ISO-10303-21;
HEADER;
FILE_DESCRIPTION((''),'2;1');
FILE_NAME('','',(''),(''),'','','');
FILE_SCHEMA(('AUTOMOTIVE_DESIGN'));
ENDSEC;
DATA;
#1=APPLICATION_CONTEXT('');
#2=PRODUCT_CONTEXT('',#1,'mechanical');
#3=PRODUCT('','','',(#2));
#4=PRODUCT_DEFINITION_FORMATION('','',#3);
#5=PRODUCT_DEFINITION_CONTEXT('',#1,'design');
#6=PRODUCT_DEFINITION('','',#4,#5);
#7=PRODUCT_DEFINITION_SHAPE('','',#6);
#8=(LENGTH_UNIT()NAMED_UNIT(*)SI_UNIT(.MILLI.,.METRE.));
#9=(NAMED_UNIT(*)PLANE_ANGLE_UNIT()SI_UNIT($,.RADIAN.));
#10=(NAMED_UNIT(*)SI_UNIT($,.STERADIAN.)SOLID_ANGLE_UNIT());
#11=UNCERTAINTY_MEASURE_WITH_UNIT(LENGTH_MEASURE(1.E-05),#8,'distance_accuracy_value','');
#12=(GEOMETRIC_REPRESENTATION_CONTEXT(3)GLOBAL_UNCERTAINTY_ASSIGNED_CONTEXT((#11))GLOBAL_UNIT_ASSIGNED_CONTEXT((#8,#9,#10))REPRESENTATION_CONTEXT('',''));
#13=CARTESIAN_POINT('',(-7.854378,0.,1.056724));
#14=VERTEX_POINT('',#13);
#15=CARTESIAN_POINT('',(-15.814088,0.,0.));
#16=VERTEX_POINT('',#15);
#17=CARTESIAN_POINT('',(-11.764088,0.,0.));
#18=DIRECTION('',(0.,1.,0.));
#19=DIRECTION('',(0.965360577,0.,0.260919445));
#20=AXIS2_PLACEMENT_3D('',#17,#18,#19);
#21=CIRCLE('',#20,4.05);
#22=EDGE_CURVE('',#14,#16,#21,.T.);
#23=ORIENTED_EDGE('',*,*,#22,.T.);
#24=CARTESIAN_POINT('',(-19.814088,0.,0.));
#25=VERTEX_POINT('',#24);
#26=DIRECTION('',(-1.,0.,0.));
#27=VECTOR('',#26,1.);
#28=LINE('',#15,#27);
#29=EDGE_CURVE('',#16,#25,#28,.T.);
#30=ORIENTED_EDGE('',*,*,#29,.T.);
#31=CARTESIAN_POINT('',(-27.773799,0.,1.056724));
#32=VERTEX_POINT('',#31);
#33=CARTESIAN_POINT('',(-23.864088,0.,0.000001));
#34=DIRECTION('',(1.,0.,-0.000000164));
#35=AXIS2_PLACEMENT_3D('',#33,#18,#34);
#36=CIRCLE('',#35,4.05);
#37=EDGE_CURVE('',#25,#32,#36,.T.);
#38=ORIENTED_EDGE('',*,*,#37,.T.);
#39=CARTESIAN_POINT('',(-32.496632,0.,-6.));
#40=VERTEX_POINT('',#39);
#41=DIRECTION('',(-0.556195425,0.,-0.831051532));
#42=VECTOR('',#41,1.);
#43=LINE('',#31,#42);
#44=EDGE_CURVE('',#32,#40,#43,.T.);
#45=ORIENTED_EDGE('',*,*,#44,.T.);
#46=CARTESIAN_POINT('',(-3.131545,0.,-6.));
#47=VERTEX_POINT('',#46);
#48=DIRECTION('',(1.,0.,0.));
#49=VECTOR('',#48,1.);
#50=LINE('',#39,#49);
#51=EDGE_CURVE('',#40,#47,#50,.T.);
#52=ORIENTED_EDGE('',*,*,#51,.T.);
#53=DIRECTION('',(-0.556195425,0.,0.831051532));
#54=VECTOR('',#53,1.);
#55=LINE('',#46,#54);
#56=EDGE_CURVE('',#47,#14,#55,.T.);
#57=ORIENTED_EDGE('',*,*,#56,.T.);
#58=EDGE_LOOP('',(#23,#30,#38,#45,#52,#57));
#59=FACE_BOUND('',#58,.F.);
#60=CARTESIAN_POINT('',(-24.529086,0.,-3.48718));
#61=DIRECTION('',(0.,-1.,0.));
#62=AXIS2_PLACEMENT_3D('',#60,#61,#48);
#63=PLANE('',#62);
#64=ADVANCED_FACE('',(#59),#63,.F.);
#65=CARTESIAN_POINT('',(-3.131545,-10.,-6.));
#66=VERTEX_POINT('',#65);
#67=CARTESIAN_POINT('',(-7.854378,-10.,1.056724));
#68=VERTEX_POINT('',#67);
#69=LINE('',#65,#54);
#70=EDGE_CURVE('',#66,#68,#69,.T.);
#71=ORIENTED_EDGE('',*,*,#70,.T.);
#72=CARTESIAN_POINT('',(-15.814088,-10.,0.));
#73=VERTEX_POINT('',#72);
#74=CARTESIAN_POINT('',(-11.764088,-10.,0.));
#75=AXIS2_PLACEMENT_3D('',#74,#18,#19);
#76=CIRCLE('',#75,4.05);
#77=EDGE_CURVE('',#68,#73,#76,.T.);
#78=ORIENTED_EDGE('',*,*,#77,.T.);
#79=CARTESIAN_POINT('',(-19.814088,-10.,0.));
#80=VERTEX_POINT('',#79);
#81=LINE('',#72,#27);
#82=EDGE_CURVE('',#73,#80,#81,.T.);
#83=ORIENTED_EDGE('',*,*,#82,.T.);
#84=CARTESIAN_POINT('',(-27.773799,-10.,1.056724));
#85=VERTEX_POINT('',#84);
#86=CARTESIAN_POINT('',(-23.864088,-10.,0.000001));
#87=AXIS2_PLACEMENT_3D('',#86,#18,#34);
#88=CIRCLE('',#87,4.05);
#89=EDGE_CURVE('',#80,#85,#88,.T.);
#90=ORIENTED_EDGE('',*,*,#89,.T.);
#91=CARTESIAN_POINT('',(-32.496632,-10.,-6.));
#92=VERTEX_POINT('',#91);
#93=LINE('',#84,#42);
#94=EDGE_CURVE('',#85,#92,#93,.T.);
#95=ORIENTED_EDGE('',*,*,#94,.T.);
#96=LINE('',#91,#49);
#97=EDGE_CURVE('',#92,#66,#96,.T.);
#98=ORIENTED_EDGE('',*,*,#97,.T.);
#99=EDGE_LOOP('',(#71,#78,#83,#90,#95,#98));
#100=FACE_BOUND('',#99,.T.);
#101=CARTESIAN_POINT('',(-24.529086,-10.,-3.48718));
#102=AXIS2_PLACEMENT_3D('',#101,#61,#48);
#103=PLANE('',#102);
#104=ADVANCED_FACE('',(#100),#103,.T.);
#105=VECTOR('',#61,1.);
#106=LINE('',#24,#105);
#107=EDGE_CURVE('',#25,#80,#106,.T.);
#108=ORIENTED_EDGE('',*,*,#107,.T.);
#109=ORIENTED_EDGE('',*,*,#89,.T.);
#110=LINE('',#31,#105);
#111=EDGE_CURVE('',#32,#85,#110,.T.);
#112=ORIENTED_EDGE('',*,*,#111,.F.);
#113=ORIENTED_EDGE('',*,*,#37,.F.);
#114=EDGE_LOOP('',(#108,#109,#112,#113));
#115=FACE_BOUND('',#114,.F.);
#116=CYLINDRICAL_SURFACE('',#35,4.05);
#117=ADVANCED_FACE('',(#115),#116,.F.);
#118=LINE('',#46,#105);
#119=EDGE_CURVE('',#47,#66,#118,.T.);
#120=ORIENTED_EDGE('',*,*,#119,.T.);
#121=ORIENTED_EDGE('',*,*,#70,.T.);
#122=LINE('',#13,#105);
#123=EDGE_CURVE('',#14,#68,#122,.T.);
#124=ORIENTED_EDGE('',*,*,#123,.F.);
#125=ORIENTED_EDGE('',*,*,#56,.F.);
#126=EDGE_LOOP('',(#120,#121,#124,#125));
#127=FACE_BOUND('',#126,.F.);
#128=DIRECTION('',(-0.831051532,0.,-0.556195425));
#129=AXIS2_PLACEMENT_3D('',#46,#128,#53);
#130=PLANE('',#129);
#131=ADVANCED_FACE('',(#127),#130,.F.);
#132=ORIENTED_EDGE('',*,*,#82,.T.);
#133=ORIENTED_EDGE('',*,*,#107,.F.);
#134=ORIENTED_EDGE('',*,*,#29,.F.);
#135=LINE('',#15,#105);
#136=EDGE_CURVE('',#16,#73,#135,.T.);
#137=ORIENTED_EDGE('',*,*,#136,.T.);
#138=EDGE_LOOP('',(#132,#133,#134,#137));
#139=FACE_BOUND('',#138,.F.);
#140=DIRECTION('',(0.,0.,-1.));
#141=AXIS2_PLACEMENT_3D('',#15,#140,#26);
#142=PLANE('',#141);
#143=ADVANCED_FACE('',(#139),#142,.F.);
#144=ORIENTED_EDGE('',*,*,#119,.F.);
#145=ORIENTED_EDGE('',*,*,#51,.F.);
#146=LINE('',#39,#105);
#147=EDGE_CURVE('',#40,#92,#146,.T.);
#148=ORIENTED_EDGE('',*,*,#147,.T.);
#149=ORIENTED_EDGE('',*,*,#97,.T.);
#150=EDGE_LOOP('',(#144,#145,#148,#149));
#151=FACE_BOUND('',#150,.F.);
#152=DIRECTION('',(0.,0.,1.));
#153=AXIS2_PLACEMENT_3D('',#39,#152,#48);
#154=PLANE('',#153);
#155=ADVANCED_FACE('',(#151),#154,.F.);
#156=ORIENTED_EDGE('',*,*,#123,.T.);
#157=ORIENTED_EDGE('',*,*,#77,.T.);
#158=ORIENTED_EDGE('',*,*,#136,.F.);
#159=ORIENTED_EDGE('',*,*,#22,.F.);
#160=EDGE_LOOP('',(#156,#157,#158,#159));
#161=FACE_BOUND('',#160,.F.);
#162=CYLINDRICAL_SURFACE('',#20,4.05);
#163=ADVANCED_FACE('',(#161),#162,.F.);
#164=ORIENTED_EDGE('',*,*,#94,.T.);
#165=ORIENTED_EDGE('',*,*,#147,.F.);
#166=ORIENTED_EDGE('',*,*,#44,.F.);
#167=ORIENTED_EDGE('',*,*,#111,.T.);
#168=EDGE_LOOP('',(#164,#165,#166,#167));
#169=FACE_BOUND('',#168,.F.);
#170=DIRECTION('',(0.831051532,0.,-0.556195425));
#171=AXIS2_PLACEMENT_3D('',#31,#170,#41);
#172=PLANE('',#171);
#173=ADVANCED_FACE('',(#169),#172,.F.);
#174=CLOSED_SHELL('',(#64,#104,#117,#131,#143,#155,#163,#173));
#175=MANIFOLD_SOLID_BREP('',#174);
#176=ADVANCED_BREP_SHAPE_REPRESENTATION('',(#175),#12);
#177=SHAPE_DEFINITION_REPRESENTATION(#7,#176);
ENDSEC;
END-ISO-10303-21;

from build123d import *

# Parameters (mm, degrees)
F1_DEPTH = 10


with BuildPart() as f1:
    # F0 (on Front) → F1 (new body)
    with BuildSketch(Plane.XZ):
        with BuildLine():
            ThreePointArc((-19.814088, 0), (-24.397086, -4.014774), (-27.773799, 1.056724))
            Line((-27.773799, 1.056724), (-32.496632, -6))
            Line((-32.496632, -6), (-17.814088, -6))
            Line((-17.814088, -6), (-17.814088, 0))
            Line((-17.814088, 0), (-19.814088, 0))
        make_face()
        with BuildLine():
            Line((-15.814088, 0), (-17.814088, 0))
            Line((-17.814088, 0), (-17.814088, -6))
            Line((-17.814088, -6), (-3.131545, -6))
            Line((-3.131545, -6), (-7.854378, 1.056724))
            ThreePointArc((-7.854378, 1.056724), (-11.231091, -4.014774), (-15.814088, 0))
        make_face()
    extrude(amount=F1_DEPTH)


solid = f1.part
